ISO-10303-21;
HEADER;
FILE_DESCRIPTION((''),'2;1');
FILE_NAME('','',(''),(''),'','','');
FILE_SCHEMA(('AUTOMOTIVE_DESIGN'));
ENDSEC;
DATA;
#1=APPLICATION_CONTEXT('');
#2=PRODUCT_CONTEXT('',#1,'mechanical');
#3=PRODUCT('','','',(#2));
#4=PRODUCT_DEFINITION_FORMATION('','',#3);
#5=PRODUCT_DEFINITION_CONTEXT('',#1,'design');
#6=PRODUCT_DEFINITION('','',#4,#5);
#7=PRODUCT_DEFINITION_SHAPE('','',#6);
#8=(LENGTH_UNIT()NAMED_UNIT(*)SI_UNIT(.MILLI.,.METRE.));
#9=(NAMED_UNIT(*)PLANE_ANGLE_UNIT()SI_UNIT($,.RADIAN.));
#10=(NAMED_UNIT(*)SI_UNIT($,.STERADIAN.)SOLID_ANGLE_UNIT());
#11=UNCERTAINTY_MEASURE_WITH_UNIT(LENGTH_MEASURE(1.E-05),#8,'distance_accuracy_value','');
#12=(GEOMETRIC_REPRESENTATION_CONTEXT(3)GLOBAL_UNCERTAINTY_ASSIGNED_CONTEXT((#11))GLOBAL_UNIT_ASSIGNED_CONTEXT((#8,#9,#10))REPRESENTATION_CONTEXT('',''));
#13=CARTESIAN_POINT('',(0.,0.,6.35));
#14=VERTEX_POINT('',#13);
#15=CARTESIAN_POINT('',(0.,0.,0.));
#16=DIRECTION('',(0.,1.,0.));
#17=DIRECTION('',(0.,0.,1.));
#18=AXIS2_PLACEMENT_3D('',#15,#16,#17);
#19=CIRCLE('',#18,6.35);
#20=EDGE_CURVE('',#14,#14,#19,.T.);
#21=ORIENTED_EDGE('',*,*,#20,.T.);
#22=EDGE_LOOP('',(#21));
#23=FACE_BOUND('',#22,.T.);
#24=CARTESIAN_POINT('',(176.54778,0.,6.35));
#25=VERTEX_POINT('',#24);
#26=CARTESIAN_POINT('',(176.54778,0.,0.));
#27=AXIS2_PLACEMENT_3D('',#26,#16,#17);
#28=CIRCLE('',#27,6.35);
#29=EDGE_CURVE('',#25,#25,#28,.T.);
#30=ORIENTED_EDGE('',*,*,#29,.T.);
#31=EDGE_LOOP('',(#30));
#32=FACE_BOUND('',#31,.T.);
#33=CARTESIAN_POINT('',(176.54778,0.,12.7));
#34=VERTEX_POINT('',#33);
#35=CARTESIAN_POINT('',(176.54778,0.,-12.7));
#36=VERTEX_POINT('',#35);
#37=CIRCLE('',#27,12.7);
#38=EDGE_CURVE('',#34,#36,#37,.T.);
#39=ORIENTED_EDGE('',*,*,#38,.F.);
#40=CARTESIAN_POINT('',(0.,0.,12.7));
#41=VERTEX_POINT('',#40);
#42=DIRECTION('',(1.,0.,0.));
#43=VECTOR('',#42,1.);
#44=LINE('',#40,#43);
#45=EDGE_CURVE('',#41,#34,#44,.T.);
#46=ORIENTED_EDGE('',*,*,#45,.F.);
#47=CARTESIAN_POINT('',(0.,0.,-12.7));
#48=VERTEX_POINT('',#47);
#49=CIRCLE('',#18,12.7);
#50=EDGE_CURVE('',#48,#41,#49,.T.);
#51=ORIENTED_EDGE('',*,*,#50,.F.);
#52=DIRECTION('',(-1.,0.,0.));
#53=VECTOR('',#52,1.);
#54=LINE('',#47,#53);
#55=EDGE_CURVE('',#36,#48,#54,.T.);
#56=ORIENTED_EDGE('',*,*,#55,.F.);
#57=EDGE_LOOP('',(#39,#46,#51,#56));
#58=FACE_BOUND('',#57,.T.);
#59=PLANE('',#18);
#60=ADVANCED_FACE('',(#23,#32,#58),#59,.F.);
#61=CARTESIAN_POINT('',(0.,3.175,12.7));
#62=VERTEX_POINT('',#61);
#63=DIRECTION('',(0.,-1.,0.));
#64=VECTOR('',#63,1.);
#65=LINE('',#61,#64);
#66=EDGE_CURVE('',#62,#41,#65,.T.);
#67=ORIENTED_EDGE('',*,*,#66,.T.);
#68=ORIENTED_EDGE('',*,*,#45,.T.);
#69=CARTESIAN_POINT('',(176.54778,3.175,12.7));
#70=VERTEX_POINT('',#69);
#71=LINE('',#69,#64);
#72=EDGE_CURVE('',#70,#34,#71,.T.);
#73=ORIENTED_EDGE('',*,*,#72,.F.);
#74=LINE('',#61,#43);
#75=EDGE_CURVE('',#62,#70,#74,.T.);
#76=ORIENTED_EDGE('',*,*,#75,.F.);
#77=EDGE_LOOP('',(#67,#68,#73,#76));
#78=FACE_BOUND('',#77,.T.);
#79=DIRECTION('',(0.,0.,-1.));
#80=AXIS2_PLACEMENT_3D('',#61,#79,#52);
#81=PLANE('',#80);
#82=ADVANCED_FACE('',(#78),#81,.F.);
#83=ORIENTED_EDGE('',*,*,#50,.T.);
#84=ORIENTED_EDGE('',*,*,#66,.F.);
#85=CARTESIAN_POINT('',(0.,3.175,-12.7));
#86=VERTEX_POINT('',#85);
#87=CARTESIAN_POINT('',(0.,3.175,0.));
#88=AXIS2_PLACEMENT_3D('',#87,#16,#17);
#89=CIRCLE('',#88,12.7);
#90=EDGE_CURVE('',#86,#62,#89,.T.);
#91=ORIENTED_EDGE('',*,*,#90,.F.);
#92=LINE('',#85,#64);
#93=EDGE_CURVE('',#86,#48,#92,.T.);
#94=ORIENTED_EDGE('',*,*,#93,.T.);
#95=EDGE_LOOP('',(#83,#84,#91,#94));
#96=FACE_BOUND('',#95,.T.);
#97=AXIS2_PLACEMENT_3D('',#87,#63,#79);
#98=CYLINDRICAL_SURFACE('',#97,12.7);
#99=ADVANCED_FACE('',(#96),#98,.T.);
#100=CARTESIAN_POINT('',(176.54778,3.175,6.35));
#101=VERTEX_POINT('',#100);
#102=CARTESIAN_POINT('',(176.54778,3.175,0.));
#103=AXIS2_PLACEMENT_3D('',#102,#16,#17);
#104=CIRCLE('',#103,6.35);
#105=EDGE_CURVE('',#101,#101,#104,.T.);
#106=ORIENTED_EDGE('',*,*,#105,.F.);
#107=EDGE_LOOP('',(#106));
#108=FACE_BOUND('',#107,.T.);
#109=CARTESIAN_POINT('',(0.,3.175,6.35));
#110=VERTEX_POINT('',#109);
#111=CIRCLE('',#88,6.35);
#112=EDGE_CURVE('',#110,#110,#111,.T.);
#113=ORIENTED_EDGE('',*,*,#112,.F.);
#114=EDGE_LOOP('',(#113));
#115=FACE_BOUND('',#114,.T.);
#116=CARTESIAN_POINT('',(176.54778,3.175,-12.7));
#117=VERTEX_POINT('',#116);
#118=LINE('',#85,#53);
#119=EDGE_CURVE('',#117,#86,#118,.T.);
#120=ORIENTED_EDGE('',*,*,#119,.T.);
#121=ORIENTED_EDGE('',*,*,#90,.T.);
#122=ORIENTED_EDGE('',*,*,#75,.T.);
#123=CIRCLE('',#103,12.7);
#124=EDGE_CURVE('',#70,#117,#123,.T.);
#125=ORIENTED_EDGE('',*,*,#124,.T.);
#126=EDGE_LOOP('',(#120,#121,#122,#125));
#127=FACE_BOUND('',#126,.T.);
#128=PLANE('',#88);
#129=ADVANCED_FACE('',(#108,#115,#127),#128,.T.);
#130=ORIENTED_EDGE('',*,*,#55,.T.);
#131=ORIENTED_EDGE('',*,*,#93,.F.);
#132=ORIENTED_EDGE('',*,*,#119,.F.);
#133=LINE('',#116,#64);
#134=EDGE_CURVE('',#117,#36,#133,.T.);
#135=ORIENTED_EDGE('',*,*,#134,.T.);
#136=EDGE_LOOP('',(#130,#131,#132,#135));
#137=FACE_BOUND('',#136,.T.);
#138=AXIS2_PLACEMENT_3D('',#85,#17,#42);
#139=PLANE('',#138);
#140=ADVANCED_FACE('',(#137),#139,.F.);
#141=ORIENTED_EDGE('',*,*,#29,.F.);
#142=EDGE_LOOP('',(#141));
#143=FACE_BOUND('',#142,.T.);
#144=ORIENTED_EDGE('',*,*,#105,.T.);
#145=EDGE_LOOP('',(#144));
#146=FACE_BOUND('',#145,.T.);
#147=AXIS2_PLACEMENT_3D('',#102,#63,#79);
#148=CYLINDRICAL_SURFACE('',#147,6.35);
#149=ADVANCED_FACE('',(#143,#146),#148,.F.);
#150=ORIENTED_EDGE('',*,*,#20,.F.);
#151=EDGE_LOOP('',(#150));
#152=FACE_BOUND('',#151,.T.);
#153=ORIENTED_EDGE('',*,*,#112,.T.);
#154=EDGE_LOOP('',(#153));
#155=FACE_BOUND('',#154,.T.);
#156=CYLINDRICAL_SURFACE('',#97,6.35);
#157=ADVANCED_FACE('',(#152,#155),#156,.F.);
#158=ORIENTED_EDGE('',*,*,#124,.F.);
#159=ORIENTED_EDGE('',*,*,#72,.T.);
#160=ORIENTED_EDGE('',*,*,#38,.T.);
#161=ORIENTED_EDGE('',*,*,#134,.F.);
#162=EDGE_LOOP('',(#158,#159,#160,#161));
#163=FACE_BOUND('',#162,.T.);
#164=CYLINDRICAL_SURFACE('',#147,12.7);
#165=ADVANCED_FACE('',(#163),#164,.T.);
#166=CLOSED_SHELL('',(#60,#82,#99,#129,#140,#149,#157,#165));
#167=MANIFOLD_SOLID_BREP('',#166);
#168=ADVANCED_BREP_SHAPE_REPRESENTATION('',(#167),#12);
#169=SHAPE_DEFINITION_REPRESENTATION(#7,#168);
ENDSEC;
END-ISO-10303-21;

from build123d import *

# Parameters (mm, degrees)
SKETCH1_R           = 6.35
BOSS_EXTRUDE1_DEPTH = 3.175


with BuildPart() as part:
    # Sketch1 → Boss-Extrude1 (new body)
    with BuildSketch(Plane(origin=(0, 0, 0), x_dir=(1, 0, 0), z_dir=(0, 1, 0))):
        with BuildLine():
            Line((0, 12.7), (176.54778, 12.7))
            ThreePointArc((176.54778, 12.7), (189.24778, 0), (176.54778, -12.7))
            Line((176.54778, -12.7), (0, -12.7))
            ThreePointArc((0, -12.7), (-12.7, 0), (0, 12.7))
        make_face()
        with Locations(Location((0, 0, 0), (0, 0, 270))):
            Circle(SKETCH1_R, mode=Mode.SUBTRACT)
        with Locations(Location((176.54778, 0, 0), (0, 0, 270))):
            Circle(SKETCH1_R, mode=Mode.SUBTRACT)
    extrude(amount=BOSS_EXTRUDE1_DEPTH)


solid = part.part
